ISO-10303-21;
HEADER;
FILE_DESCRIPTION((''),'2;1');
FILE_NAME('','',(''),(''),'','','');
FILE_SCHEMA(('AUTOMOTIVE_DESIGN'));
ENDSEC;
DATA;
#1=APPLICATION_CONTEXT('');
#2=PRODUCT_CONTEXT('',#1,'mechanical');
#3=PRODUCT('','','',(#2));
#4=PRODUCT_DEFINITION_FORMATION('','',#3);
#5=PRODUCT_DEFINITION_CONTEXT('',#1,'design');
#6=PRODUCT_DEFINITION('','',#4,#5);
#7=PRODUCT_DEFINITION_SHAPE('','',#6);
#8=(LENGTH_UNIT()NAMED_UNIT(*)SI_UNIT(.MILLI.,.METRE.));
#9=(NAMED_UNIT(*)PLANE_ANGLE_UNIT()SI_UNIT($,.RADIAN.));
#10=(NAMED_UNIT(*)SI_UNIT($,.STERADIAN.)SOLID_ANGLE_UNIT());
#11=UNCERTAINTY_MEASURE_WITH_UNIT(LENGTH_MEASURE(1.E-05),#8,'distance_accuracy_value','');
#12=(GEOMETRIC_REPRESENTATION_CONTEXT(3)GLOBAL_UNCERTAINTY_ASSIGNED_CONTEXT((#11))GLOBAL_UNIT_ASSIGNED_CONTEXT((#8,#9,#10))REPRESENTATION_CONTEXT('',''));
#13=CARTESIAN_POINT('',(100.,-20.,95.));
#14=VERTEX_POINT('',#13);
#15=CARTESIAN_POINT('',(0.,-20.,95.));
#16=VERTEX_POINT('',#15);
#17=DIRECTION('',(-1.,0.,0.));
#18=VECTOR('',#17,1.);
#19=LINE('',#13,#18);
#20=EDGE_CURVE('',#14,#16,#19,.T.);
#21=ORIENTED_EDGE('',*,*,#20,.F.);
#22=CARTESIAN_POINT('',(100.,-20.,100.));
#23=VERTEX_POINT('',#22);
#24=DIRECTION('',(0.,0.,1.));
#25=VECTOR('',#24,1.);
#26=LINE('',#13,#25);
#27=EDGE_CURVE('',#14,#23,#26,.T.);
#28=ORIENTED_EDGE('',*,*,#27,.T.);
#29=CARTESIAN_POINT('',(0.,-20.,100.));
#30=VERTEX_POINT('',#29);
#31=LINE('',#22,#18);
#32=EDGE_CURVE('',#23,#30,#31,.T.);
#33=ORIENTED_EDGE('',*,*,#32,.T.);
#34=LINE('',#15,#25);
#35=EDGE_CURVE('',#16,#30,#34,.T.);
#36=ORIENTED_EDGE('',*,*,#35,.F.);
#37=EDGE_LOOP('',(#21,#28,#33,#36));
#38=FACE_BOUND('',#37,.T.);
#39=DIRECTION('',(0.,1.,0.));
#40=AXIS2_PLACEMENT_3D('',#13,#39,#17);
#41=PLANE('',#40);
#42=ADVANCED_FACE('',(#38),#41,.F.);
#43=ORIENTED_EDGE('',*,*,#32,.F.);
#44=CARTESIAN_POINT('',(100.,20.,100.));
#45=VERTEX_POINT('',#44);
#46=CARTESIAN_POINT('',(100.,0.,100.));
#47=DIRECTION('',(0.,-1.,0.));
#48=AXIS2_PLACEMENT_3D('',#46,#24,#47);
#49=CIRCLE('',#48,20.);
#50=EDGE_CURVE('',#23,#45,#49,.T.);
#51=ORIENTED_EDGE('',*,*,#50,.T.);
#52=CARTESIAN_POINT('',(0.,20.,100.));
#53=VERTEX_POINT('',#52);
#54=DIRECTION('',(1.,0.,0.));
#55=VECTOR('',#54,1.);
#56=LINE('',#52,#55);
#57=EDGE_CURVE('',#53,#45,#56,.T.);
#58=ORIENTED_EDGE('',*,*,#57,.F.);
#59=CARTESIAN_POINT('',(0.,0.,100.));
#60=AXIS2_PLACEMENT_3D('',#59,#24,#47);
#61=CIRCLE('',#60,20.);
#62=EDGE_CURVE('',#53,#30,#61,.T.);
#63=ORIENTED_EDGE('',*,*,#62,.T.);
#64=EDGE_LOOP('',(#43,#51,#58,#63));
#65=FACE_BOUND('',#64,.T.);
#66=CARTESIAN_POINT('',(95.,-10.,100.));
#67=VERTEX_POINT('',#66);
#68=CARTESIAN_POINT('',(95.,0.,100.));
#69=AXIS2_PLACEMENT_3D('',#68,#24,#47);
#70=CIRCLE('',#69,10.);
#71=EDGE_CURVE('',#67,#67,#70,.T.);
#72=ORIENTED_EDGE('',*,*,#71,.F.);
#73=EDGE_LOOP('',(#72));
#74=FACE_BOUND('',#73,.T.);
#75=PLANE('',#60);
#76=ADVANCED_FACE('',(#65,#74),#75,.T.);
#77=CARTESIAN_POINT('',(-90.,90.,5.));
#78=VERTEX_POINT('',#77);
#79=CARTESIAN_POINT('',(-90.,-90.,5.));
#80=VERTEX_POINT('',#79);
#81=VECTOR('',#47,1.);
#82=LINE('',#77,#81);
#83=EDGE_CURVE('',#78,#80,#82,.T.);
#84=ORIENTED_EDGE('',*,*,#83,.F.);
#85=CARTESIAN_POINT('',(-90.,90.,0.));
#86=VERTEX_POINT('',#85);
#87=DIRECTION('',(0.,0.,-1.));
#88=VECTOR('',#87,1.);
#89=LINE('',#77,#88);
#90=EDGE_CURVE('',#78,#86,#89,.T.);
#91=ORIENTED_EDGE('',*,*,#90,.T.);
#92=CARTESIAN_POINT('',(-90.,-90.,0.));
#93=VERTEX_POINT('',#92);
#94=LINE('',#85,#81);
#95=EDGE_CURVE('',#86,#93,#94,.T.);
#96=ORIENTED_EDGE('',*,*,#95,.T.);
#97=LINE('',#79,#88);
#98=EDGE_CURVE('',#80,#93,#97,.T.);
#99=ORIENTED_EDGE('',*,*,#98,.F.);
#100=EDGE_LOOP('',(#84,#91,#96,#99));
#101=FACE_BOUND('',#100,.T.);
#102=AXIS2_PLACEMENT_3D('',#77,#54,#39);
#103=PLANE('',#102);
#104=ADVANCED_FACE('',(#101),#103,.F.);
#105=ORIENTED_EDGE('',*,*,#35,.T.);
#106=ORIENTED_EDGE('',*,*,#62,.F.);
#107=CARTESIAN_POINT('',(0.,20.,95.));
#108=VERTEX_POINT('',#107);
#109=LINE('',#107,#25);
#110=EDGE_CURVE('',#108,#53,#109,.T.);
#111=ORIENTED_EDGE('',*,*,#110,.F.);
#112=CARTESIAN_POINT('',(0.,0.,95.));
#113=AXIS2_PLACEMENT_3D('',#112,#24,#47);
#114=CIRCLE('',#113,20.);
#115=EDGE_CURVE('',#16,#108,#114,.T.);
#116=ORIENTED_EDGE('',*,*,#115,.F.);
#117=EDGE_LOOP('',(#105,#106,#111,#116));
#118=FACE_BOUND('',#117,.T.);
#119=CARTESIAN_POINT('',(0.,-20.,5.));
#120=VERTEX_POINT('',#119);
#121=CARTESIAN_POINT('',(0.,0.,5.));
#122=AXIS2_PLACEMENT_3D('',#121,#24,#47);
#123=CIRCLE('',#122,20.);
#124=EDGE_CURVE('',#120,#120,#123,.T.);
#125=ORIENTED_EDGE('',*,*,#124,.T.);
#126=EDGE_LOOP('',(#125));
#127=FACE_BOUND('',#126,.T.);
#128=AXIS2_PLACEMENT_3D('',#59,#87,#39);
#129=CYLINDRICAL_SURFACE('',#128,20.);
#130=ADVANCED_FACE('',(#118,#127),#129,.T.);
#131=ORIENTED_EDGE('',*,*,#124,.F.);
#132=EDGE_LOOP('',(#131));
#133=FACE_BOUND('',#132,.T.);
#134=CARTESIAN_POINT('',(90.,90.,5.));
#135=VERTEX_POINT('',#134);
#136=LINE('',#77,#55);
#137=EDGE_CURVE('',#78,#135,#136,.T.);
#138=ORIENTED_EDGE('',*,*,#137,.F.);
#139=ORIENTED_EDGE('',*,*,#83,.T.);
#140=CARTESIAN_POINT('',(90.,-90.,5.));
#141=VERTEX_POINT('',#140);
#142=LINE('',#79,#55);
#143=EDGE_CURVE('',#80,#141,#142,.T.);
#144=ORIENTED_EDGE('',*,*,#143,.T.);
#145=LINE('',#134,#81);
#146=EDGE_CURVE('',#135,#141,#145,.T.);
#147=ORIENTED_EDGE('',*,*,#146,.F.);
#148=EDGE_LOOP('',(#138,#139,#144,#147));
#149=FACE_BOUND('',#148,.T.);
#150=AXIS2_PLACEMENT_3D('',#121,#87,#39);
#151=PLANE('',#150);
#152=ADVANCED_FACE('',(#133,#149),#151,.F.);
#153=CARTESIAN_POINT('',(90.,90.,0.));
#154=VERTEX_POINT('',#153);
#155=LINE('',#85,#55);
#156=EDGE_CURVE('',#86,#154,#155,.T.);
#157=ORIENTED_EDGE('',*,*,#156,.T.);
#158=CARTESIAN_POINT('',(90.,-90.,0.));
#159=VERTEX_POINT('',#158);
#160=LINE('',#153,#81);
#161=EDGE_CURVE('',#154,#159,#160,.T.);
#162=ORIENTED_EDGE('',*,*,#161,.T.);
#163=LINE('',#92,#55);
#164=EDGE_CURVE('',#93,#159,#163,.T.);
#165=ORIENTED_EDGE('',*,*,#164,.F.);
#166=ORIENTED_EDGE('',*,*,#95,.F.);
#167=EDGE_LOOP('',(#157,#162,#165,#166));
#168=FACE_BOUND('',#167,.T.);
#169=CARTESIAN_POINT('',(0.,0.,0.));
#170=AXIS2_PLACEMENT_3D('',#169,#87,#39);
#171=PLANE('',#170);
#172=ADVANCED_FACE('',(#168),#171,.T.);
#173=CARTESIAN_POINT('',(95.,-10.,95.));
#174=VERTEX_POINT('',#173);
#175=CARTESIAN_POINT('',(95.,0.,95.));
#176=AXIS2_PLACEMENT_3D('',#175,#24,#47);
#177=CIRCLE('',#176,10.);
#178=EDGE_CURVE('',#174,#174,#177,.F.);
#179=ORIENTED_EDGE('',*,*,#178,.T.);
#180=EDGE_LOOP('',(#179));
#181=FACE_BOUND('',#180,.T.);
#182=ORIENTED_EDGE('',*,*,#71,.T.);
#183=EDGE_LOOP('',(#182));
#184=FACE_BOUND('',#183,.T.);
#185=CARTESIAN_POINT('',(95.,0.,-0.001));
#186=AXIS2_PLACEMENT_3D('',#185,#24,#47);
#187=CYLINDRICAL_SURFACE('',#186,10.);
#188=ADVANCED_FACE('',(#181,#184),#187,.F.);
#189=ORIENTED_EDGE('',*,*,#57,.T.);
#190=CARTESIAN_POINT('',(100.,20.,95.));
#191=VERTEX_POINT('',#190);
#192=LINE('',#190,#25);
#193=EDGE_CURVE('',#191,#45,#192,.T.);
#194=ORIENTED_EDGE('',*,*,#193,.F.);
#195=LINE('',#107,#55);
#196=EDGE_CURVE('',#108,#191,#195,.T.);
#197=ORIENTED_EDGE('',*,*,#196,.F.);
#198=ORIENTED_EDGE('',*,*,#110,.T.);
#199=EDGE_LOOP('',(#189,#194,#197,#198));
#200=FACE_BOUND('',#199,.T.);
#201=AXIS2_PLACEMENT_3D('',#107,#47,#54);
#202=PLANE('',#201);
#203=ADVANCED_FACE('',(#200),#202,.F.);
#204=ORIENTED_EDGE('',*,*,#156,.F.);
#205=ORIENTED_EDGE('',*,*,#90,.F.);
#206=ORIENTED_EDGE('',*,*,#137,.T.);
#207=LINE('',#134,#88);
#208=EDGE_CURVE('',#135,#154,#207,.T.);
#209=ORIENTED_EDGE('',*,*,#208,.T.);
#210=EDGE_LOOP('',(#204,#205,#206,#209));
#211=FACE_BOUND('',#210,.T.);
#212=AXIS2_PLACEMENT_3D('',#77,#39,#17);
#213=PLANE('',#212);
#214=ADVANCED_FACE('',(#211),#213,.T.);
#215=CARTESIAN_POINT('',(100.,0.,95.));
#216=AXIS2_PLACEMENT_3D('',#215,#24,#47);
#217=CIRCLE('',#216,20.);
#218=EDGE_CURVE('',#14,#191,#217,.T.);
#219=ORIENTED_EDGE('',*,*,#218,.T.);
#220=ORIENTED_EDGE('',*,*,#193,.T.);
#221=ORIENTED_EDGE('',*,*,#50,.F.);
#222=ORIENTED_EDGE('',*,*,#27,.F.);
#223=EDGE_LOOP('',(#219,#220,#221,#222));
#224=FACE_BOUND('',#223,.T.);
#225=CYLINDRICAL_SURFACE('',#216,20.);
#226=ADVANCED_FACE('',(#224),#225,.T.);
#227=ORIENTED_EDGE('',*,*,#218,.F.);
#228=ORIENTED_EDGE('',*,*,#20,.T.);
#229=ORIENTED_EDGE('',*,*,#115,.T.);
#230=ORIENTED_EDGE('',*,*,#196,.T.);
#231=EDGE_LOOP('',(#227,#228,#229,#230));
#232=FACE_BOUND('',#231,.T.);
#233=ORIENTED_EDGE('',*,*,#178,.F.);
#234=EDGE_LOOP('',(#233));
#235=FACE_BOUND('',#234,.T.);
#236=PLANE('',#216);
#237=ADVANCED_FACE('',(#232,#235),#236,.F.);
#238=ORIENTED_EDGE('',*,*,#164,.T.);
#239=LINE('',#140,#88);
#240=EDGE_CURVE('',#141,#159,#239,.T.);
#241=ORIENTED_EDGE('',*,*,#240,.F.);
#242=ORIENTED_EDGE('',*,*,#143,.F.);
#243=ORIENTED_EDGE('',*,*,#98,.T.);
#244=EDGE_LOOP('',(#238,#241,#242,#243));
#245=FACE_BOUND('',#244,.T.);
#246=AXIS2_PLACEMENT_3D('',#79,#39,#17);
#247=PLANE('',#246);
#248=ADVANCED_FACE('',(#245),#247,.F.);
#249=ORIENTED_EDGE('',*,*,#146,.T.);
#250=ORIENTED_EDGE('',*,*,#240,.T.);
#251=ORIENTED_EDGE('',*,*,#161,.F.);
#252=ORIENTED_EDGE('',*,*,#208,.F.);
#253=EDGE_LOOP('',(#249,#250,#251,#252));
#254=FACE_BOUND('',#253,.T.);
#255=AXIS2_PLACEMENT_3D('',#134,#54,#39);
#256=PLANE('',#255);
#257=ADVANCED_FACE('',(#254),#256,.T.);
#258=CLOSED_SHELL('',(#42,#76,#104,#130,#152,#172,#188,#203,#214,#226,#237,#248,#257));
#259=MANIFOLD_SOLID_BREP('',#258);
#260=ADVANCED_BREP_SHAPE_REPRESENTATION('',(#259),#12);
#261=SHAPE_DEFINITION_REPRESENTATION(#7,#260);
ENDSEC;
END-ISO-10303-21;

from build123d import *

# Parameters (mm, degrees)
SKETCH1_W             = 180
SKETCH1_H             = 180
BOSS_EXTRUDE1_DEPTH   = 5
SKETCH2_R             = 20
BOSS_EXTRUDE2_DEPTH   = 95
BOSS_EXTRUDE3_START   = -5
BOSS_EXTRUDE3_DEPTH   = 5
CUT_EXTRUDE1_REACH    = 182.278
SKETCH4_R             = 10
BODY_MOVE_COPY1_ANGLE = 90


with BuildPart() as part:
    # Sketch1 → Boss-Extrude1 (new body)
    with BuildSketch(Plane(origin=(0, 0, 0), x_dir=(1, 0, 0), z_dir=(0, 1, 0))):
        Rectangle(SKETCH1_W, SKETCH1_H)
    extrude(amount=BOSS_EXTRUDE1_DEPTH)

    # Sketch2 → Boss-Extrude2 (add)
    with BuildSketch(Plane(origin=(0, 5, 0), x_dir=(1, 0, 0), z_dir=(0, 1, 0))):
        with Locations(Location((0, 0, 0), (0, 0, 270))):
            Circle(SKETCH2_R)
    extrude(amount=BOSS_EXTRUDE2_DEPTH)

    # Sketch3 → Boss-Extrude3 (add)
    with BuildSketch(Plane(origin=(0, 100, 0), x_dir=(1, 0, 0), z_dir=(0, 1, 0)).offset(BOSS_EXTRUDE3_START)):
        with BuildLine():
            Line((0, 20), (100, 20))
            ThreePointArc((100, 20), (120, 0), (100, -20))
            Line((100, -20), (0, -20))
            ThreePointArc((0, -20), (-20, 0), (0, 20))
        make_face()
    extrude(amount=BOSS_EXTRUDE3_DEPTH)

    # Sketch4 → Cut-Extrude1 (cut, up to next)
    with BuildSketch(Plane(origin=(0, 100, 0), x_dir=(1, 0, 0), z_dir=(0, 1, 0)), mode=Mode.PRIVATE) as cut_extrude1_sk1:
        with Locations(Location((95, 0, 0), (0, 0, 270))):
            Circle(SKETCH4_R)
    cut_extrude1_tool1 = extrude(cut_extrude1_sk1.sketch, amount=-CUT_EXTRUDE1_REACH, mode=Mode.PRIVATE) & part.part
    add(cut_extrude1_tool1.solids().sort_by_distance((95, 100, 0))[0], mode=Mode.SUBTRACT)


with BuildPart() as part_1:
    # Body-Move/Copy1: moved
    add(part.part.rotate(Axis((0, 0, 0), (1, 0, 0)), BODY_MOVE_COPY1_ANGLE))


solid = part_1.part
